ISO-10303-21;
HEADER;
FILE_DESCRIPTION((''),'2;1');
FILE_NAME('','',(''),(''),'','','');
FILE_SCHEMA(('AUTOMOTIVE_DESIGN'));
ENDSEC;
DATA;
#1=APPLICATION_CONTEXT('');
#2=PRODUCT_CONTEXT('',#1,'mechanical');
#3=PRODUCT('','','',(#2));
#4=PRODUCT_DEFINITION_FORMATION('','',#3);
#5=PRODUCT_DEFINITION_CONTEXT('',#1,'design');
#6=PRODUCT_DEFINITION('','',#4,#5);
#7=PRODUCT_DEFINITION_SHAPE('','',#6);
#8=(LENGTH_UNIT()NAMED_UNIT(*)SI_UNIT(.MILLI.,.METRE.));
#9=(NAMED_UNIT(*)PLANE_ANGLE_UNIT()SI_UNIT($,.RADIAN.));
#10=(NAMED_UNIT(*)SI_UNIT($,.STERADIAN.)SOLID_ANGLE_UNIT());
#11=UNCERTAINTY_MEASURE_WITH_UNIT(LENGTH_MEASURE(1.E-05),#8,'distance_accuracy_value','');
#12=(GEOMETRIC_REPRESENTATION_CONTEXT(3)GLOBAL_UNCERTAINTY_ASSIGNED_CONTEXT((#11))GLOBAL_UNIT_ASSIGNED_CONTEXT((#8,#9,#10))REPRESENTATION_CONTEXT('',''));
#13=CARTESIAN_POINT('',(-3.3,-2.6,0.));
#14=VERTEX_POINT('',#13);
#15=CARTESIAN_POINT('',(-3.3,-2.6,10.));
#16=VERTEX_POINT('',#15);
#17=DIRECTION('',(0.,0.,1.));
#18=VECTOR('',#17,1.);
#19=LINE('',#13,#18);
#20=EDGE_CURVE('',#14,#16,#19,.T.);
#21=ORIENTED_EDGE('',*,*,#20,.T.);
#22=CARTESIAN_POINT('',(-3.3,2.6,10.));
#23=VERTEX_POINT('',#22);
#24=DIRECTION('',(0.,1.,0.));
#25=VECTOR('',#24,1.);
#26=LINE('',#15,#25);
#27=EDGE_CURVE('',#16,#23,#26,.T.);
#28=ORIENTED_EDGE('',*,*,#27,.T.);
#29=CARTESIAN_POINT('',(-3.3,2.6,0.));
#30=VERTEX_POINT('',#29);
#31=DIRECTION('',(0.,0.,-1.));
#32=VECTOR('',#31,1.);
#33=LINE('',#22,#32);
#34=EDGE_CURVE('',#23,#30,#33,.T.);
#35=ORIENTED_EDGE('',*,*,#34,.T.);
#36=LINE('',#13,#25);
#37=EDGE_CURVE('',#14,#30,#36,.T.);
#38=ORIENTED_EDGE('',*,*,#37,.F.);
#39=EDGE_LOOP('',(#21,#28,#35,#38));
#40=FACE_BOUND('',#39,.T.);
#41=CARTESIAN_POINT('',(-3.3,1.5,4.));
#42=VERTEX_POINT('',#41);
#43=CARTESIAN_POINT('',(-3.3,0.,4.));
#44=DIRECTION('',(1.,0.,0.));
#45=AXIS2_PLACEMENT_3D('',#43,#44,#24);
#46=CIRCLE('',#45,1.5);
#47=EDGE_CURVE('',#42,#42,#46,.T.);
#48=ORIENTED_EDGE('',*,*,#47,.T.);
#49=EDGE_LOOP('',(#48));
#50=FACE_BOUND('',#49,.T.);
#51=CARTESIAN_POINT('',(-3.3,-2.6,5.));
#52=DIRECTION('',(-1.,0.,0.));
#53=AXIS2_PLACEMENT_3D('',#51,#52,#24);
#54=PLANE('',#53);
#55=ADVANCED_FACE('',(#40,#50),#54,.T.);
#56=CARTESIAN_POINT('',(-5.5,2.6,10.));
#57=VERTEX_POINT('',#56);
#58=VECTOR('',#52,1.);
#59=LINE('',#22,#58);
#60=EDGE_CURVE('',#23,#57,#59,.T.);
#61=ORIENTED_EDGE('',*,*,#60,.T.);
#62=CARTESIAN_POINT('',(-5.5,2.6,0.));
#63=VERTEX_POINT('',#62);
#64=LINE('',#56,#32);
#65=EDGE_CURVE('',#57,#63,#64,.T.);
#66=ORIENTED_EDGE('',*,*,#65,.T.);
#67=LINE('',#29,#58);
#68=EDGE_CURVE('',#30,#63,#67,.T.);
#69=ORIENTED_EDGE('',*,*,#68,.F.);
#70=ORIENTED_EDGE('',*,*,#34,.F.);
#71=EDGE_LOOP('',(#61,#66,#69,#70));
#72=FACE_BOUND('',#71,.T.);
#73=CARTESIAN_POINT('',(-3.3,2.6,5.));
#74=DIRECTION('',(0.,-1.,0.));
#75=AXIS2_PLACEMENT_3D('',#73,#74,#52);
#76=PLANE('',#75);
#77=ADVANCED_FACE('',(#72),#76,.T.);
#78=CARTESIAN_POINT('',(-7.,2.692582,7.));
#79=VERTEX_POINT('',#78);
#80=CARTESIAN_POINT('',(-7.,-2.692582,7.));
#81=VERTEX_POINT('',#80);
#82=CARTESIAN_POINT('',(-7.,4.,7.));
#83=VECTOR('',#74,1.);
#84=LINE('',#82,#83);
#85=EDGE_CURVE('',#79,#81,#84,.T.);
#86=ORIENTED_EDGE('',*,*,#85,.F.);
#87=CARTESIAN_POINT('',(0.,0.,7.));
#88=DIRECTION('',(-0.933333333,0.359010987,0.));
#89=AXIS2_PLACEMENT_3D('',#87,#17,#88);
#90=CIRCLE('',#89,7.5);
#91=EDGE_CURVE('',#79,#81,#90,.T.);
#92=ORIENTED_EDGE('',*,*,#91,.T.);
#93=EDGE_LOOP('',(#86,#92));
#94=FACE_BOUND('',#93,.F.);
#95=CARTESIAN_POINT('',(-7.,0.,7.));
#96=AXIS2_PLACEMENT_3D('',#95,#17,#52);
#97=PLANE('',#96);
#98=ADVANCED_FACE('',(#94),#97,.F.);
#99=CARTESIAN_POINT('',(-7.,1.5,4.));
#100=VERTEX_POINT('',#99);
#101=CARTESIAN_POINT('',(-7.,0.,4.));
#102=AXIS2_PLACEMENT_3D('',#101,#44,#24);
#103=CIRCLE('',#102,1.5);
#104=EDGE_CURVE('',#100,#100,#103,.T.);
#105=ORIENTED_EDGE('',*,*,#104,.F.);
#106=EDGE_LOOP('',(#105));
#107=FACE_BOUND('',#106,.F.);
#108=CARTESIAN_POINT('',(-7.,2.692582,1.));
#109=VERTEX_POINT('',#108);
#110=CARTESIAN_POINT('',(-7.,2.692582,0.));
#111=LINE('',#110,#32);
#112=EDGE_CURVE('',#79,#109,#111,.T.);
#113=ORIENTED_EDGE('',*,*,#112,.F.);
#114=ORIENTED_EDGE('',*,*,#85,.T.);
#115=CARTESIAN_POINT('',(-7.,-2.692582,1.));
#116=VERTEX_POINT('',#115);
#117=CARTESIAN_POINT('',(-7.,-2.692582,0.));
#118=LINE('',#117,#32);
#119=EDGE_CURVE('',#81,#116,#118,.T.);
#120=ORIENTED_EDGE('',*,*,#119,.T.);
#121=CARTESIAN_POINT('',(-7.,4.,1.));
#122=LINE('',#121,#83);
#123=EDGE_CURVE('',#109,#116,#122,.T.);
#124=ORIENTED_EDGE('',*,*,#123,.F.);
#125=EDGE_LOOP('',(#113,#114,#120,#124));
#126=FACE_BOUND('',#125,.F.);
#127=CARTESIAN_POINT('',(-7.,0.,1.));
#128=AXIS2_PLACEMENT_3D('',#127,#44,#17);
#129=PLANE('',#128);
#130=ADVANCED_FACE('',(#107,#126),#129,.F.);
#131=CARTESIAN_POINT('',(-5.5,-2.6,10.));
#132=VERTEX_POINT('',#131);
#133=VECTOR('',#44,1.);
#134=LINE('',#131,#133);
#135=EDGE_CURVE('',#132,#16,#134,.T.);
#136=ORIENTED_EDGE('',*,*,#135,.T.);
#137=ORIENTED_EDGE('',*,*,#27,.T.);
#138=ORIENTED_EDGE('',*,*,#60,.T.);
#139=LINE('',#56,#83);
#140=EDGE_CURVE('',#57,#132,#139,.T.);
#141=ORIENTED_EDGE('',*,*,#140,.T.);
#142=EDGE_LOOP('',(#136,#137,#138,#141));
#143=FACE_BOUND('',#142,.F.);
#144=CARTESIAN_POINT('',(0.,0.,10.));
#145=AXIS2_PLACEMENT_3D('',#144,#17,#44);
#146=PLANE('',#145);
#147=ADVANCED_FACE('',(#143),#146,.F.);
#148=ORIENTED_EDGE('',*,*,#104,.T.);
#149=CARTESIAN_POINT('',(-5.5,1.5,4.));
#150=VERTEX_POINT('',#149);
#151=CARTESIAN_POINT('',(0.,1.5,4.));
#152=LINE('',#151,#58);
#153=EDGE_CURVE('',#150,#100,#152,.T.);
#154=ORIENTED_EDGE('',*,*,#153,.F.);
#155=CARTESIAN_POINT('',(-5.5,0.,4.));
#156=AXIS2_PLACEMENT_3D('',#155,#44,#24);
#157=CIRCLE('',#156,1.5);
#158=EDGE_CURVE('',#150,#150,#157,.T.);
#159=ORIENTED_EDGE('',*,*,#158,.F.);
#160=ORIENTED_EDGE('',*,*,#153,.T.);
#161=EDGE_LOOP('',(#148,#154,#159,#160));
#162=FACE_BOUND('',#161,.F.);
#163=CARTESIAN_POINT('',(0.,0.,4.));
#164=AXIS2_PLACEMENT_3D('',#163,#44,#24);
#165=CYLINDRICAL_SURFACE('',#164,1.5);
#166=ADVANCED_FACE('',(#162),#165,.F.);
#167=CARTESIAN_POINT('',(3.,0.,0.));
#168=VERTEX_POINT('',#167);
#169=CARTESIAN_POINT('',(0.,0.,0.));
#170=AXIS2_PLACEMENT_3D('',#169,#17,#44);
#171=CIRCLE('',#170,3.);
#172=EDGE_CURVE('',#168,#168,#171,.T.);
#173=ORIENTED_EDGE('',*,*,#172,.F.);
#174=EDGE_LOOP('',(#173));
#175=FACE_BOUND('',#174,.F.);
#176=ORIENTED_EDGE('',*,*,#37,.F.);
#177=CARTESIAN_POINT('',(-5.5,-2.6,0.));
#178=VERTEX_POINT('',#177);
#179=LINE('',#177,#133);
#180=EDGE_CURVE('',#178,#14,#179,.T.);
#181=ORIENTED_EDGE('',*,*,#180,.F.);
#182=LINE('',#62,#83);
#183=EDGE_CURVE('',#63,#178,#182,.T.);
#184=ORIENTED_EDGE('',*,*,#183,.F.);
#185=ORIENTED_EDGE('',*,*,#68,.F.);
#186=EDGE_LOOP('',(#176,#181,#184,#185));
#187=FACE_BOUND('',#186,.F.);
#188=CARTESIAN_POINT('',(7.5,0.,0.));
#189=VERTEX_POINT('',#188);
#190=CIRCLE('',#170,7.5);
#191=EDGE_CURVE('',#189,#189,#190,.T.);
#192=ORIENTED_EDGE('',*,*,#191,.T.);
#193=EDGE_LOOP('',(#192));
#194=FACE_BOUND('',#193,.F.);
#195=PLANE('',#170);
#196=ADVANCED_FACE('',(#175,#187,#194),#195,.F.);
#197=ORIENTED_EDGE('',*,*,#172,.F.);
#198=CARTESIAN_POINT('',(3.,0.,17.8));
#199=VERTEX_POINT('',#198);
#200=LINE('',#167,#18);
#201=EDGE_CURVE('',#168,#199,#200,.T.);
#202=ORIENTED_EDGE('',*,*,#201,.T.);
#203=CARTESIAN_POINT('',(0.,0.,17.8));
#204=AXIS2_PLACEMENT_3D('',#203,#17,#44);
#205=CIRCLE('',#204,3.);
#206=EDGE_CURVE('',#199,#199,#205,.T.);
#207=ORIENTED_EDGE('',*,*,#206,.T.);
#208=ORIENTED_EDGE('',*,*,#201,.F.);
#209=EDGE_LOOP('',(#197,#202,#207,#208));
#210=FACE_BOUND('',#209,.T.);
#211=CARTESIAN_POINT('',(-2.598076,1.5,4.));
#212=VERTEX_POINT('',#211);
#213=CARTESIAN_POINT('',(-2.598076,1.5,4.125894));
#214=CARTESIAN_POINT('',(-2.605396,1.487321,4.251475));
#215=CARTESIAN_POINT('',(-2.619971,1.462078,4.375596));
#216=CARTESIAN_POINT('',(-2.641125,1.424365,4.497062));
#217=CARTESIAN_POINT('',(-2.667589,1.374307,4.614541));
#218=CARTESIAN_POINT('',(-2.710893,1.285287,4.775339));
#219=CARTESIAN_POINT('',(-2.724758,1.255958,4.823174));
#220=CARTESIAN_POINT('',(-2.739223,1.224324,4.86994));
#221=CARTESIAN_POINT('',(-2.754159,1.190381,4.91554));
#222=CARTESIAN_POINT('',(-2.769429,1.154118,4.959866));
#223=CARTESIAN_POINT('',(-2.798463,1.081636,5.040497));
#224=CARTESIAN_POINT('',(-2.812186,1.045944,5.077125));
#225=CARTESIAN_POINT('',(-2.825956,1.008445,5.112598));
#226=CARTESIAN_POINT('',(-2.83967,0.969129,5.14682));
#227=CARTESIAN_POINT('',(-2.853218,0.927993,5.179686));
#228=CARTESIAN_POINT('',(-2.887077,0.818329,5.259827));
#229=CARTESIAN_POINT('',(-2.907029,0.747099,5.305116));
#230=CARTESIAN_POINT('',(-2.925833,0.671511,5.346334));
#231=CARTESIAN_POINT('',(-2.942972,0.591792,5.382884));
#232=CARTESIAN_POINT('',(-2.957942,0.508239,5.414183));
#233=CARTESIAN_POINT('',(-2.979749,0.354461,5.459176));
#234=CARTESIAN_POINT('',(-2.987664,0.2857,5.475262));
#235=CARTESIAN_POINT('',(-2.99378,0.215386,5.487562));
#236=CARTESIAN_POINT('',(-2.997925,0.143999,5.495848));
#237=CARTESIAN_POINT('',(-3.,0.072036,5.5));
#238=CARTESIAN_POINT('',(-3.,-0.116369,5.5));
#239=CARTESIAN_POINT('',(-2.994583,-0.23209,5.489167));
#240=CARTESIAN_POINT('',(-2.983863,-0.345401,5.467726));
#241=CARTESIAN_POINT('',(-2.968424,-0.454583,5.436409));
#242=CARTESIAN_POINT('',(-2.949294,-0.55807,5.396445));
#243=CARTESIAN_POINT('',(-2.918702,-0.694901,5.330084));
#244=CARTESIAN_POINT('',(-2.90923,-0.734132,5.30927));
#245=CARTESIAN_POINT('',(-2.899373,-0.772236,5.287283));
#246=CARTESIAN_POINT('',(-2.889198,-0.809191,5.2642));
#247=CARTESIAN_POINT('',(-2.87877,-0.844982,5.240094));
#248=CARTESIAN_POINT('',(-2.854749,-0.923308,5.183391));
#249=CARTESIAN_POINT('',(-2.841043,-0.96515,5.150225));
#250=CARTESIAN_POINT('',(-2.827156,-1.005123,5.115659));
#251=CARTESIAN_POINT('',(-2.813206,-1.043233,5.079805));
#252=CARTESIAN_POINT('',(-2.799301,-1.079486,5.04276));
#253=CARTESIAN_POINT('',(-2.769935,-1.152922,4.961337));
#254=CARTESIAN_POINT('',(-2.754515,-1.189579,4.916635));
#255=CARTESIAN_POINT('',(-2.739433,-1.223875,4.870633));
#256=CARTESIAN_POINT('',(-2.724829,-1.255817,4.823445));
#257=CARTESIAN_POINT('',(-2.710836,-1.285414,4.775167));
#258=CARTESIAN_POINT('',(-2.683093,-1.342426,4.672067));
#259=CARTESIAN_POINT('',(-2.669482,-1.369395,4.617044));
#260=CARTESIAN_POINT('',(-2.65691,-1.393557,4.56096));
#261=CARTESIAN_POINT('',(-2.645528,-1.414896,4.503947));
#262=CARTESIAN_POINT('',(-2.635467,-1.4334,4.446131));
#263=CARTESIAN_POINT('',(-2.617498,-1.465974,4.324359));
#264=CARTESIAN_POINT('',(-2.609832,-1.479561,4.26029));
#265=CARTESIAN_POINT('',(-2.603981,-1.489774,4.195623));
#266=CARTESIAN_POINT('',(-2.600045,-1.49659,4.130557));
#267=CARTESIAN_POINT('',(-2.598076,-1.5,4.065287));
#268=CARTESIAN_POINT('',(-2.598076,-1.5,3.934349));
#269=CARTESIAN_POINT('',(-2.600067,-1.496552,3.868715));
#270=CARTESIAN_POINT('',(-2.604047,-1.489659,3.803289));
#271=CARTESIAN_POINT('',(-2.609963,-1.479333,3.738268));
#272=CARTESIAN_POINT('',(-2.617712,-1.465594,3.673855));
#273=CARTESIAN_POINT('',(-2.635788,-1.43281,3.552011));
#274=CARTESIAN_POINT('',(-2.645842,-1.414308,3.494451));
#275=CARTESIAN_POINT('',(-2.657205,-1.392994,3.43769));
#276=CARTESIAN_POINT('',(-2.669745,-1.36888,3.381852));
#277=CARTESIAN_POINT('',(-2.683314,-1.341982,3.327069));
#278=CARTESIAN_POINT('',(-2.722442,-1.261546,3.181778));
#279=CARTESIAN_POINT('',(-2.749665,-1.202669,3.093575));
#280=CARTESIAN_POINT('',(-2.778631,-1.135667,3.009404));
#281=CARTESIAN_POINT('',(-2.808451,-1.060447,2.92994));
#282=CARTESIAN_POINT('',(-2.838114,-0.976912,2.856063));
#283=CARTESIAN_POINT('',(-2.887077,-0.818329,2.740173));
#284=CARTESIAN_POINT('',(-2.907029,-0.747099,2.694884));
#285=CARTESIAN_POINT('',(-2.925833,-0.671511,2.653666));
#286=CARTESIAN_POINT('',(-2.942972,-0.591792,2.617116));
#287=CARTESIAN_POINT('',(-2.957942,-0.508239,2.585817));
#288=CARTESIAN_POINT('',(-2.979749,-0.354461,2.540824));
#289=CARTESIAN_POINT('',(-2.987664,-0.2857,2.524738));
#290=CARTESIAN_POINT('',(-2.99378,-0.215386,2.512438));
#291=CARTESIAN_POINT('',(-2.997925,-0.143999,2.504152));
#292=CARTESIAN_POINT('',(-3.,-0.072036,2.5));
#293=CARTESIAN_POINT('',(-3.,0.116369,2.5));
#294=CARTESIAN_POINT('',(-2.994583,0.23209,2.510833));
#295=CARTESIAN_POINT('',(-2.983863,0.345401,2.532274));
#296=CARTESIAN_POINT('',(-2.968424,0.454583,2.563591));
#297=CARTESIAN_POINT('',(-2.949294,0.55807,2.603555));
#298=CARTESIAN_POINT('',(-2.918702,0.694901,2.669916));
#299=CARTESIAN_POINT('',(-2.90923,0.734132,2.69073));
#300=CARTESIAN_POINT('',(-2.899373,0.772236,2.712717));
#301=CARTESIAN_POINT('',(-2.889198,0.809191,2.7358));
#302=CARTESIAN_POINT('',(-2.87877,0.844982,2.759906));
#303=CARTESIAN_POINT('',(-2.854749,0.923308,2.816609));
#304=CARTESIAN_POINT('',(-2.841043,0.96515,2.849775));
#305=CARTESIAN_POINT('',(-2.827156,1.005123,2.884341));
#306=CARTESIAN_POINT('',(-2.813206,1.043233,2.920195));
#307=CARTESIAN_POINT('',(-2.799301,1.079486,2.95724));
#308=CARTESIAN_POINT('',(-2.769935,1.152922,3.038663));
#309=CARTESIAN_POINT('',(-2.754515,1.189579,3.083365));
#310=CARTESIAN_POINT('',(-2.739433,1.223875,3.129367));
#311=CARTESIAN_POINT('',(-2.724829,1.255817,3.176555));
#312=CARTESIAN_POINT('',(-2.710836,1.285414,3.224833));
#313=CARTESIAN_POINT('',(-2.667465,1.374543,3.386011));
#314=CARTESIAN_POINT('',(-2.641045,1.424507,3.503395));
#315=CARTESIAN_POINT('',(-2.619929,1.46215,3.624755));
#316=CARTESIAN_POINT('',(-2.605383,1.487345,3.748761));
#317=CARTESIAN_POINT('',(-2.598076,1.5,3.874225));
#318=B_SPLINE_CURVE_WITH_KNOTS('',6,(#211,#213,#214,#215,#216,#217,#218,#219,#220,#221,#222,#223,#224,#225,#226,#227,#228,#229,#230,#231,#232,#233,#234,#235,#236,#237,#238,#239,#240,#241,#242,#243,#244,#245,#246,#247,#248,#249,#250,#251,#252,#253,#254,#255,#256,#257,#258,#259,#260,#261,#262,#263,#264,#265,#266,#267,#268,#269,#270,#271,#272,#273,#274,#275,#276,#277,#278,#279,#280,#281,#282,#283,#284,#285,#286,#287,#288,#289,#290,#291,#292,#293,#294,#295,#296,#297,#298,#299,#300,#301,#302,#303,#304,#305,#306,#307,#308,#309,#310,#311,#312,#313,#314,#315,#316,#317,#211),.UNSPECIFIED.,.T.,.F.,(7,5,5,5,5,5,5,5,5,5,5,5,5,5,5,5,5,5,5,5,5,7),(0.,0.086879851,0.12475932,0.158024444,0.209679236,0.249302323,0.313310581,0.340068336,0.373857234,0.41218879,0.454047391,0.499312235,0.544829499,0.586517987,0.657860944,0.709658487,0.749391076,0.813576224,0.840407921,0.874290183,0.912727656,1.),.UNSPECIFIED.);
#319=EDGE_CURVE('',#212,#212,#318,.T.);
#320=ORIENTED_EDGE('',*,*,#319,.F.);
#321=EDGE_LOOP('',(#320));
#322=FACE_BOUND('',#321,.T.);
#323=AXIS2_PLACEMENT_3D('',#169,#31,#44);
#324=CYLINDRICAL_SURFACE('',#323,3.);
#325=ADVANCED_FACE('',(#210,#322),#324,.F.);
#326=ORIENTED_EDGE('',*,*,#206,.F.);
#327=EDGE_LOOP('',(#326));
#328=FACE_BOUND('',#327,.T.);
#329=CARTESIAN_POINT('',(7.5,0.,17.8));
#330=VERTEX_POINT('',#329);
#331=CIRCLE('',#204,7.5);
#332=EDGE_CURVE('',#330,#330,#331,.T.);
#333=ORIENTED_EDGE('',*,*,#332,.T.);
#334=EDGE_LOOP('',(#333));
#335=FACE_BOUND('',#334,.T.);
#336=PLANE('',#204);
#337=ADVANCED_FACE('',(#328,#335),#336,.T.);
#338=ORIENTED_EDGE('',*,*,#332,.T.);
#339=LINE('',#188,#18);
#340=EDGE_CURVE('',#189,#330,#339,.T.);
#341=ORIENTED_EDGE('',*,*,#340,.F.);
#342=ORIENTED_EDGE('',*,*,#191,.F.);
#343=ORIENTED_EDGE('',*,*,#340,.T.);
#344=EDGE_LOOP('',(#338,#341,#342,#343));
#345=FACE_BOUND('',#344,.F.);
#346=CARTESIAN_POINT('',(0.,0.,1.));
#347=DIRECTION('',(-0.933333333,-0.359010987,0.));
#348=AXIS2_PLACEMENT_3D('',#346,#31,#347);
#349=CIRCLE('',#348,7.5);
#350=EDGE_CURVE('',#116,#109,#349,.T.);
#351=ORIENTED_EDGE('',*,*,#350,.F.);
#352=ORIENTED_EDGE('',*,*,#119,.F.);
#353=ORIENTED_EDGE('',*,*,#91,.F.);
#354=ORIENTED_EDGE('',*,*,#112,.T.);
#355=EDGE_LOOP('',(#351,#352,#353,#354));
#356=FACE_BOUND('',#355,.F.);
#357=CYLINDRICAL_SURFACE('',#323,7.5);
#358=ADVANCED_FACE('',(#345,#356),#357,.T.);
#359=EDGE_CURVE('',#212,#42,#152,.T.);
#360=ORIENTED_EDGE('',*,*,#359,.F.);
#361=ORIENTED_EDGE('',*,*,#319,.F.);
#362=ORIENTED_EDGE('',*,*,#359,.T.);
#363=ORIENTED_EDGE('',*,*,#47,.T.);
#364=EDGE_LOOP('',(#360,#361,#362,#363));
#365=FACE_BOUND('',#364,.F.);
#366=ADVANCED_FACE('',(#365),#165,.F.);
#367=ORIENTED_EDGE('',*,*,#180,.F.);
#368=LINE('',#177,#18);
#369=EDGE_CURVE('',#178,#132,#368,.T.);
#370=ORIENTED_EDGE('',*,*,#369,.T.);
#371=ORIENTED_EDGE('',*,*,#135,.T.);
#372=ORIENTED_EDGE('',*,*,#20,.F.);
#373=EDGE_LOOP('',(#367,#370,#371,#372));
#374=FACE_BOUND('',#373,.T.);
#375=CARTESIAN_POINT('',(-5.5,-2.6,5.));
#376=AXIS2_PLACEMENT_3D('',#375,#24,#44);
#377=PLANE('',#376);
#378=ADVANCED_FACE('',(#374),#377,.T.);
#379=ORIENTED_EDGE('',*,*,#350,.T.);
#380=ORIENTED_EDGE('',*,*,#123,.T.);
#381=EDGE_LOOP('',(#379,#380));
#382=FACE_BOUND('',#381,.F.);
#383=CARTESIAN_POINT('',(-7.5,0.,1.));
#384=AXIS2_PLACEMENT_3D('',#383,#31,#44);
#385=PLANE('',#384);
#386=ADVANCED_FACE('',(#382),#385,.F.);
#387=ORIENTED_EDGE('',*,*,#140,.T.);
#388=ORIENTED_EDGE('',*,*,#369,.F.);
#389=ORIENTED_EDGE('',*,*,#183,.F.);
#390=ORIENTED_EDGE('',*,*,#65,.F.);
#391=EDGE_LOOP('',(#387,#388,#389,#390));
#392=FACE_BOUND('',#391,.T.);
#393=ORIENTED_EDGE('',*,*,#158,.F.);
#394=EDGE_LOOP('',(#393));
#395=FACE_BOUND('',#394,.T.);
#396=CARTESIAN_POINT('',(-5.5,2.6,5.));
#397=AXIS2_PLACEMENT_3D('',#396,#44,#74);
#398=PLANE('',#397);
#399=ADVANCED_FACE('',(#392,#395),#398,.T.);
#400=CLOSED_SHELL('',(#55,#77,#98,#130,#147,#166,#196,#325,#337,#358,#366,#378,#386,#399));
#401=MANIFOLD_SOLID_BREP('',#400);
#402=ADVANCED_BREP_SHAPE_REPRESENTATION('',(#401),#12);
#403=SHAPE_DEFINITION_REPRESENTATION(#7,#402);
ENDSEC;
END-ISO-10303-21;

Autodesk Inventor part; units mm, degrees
ref_plane "YZ Plane" through (0, 0, 0) normal (1, 0, 0) x (0, 1, 0)
ref_plane "XZ Plane" through (0, 0, 0) normal (0, 1, 0) x (-1, 0, 0)
sketch "Sketch1" plane through (0, 0, 0) normal (0, 0, 1) x (1, 0, 0)
  circle A0 centre (0, 0) radius 7.5
  circle A1 centre (0, 0) radius 3
  dimension "d0" = 15
  dimension "d1" = 6
extrude "Extrusion1" add sketch "Sketch1" along normal blind 17.8
ref_plane "Work Plane1" through (0, 0, 5) normal (0, 0, 1) x (1, 0, 0)
sketch "Sketch2" plane through (0, 0, 5) normal (0, 0, 1) x (1, 0, 0)
  line L0 (-5.5, -2.6) -> (-3.3, -2.6)
  line L1 (-3.3, -2.6) -> (-3.3, 2.6)
  line L2 (-3.3, 2.6) -> (-5.5, 2.6)
  line L3 (-5.5, 2.6) -> (-5.5, -2.6)
  point P0 (0, 0)
  point P1 (-5.5, 0)
  dimension "d5" = 5.5
  dimension "d6" = 2.2
  dimension "d7" = 5.2
extrude "Extrusion2" cut sketch "Sketch2" along normal mid plane 10
sketch "Sketch4" plane through (0, 0, 0) normal (1, 0, 0) x (0, 1, 0)
  circle A0 centre (0, 4) radius 1.5
  line L0 (-2.1, 0) -> (2.1, 0) projected
  point P0 (0, 0)
  dimension "d12" = 3
  dimension "d13" = 4
extrude "Extrusion3" cut sketch "Sketch4" against normal blind 8
sketch "Sketch5" plane through (0, 0, 0) normal (0, 1, 0) x (-1, 0, 0)
  line L0 (7.5, 0) -> (7.5, 17.8) projected
  line L1 (7.5, 1) -> (7, 1)
  line L2 (7, 1) -> (7, 7)
  line L3 (7, 7) -> (7.5, 7)
  line L4 (7.5, 7) -> (7.5, 1)
  line L5 (-1.5, 0) -> (9, 0) projected
  point P0 (0, 0)
  dimension "d16" = 6
  dimension "d17" = 7
  dimension "d18" = 0.5
extrude "Extrusion4" cut sketch "Sketch5" along normal mid plane 8
properties part number "Acople eje motor"
